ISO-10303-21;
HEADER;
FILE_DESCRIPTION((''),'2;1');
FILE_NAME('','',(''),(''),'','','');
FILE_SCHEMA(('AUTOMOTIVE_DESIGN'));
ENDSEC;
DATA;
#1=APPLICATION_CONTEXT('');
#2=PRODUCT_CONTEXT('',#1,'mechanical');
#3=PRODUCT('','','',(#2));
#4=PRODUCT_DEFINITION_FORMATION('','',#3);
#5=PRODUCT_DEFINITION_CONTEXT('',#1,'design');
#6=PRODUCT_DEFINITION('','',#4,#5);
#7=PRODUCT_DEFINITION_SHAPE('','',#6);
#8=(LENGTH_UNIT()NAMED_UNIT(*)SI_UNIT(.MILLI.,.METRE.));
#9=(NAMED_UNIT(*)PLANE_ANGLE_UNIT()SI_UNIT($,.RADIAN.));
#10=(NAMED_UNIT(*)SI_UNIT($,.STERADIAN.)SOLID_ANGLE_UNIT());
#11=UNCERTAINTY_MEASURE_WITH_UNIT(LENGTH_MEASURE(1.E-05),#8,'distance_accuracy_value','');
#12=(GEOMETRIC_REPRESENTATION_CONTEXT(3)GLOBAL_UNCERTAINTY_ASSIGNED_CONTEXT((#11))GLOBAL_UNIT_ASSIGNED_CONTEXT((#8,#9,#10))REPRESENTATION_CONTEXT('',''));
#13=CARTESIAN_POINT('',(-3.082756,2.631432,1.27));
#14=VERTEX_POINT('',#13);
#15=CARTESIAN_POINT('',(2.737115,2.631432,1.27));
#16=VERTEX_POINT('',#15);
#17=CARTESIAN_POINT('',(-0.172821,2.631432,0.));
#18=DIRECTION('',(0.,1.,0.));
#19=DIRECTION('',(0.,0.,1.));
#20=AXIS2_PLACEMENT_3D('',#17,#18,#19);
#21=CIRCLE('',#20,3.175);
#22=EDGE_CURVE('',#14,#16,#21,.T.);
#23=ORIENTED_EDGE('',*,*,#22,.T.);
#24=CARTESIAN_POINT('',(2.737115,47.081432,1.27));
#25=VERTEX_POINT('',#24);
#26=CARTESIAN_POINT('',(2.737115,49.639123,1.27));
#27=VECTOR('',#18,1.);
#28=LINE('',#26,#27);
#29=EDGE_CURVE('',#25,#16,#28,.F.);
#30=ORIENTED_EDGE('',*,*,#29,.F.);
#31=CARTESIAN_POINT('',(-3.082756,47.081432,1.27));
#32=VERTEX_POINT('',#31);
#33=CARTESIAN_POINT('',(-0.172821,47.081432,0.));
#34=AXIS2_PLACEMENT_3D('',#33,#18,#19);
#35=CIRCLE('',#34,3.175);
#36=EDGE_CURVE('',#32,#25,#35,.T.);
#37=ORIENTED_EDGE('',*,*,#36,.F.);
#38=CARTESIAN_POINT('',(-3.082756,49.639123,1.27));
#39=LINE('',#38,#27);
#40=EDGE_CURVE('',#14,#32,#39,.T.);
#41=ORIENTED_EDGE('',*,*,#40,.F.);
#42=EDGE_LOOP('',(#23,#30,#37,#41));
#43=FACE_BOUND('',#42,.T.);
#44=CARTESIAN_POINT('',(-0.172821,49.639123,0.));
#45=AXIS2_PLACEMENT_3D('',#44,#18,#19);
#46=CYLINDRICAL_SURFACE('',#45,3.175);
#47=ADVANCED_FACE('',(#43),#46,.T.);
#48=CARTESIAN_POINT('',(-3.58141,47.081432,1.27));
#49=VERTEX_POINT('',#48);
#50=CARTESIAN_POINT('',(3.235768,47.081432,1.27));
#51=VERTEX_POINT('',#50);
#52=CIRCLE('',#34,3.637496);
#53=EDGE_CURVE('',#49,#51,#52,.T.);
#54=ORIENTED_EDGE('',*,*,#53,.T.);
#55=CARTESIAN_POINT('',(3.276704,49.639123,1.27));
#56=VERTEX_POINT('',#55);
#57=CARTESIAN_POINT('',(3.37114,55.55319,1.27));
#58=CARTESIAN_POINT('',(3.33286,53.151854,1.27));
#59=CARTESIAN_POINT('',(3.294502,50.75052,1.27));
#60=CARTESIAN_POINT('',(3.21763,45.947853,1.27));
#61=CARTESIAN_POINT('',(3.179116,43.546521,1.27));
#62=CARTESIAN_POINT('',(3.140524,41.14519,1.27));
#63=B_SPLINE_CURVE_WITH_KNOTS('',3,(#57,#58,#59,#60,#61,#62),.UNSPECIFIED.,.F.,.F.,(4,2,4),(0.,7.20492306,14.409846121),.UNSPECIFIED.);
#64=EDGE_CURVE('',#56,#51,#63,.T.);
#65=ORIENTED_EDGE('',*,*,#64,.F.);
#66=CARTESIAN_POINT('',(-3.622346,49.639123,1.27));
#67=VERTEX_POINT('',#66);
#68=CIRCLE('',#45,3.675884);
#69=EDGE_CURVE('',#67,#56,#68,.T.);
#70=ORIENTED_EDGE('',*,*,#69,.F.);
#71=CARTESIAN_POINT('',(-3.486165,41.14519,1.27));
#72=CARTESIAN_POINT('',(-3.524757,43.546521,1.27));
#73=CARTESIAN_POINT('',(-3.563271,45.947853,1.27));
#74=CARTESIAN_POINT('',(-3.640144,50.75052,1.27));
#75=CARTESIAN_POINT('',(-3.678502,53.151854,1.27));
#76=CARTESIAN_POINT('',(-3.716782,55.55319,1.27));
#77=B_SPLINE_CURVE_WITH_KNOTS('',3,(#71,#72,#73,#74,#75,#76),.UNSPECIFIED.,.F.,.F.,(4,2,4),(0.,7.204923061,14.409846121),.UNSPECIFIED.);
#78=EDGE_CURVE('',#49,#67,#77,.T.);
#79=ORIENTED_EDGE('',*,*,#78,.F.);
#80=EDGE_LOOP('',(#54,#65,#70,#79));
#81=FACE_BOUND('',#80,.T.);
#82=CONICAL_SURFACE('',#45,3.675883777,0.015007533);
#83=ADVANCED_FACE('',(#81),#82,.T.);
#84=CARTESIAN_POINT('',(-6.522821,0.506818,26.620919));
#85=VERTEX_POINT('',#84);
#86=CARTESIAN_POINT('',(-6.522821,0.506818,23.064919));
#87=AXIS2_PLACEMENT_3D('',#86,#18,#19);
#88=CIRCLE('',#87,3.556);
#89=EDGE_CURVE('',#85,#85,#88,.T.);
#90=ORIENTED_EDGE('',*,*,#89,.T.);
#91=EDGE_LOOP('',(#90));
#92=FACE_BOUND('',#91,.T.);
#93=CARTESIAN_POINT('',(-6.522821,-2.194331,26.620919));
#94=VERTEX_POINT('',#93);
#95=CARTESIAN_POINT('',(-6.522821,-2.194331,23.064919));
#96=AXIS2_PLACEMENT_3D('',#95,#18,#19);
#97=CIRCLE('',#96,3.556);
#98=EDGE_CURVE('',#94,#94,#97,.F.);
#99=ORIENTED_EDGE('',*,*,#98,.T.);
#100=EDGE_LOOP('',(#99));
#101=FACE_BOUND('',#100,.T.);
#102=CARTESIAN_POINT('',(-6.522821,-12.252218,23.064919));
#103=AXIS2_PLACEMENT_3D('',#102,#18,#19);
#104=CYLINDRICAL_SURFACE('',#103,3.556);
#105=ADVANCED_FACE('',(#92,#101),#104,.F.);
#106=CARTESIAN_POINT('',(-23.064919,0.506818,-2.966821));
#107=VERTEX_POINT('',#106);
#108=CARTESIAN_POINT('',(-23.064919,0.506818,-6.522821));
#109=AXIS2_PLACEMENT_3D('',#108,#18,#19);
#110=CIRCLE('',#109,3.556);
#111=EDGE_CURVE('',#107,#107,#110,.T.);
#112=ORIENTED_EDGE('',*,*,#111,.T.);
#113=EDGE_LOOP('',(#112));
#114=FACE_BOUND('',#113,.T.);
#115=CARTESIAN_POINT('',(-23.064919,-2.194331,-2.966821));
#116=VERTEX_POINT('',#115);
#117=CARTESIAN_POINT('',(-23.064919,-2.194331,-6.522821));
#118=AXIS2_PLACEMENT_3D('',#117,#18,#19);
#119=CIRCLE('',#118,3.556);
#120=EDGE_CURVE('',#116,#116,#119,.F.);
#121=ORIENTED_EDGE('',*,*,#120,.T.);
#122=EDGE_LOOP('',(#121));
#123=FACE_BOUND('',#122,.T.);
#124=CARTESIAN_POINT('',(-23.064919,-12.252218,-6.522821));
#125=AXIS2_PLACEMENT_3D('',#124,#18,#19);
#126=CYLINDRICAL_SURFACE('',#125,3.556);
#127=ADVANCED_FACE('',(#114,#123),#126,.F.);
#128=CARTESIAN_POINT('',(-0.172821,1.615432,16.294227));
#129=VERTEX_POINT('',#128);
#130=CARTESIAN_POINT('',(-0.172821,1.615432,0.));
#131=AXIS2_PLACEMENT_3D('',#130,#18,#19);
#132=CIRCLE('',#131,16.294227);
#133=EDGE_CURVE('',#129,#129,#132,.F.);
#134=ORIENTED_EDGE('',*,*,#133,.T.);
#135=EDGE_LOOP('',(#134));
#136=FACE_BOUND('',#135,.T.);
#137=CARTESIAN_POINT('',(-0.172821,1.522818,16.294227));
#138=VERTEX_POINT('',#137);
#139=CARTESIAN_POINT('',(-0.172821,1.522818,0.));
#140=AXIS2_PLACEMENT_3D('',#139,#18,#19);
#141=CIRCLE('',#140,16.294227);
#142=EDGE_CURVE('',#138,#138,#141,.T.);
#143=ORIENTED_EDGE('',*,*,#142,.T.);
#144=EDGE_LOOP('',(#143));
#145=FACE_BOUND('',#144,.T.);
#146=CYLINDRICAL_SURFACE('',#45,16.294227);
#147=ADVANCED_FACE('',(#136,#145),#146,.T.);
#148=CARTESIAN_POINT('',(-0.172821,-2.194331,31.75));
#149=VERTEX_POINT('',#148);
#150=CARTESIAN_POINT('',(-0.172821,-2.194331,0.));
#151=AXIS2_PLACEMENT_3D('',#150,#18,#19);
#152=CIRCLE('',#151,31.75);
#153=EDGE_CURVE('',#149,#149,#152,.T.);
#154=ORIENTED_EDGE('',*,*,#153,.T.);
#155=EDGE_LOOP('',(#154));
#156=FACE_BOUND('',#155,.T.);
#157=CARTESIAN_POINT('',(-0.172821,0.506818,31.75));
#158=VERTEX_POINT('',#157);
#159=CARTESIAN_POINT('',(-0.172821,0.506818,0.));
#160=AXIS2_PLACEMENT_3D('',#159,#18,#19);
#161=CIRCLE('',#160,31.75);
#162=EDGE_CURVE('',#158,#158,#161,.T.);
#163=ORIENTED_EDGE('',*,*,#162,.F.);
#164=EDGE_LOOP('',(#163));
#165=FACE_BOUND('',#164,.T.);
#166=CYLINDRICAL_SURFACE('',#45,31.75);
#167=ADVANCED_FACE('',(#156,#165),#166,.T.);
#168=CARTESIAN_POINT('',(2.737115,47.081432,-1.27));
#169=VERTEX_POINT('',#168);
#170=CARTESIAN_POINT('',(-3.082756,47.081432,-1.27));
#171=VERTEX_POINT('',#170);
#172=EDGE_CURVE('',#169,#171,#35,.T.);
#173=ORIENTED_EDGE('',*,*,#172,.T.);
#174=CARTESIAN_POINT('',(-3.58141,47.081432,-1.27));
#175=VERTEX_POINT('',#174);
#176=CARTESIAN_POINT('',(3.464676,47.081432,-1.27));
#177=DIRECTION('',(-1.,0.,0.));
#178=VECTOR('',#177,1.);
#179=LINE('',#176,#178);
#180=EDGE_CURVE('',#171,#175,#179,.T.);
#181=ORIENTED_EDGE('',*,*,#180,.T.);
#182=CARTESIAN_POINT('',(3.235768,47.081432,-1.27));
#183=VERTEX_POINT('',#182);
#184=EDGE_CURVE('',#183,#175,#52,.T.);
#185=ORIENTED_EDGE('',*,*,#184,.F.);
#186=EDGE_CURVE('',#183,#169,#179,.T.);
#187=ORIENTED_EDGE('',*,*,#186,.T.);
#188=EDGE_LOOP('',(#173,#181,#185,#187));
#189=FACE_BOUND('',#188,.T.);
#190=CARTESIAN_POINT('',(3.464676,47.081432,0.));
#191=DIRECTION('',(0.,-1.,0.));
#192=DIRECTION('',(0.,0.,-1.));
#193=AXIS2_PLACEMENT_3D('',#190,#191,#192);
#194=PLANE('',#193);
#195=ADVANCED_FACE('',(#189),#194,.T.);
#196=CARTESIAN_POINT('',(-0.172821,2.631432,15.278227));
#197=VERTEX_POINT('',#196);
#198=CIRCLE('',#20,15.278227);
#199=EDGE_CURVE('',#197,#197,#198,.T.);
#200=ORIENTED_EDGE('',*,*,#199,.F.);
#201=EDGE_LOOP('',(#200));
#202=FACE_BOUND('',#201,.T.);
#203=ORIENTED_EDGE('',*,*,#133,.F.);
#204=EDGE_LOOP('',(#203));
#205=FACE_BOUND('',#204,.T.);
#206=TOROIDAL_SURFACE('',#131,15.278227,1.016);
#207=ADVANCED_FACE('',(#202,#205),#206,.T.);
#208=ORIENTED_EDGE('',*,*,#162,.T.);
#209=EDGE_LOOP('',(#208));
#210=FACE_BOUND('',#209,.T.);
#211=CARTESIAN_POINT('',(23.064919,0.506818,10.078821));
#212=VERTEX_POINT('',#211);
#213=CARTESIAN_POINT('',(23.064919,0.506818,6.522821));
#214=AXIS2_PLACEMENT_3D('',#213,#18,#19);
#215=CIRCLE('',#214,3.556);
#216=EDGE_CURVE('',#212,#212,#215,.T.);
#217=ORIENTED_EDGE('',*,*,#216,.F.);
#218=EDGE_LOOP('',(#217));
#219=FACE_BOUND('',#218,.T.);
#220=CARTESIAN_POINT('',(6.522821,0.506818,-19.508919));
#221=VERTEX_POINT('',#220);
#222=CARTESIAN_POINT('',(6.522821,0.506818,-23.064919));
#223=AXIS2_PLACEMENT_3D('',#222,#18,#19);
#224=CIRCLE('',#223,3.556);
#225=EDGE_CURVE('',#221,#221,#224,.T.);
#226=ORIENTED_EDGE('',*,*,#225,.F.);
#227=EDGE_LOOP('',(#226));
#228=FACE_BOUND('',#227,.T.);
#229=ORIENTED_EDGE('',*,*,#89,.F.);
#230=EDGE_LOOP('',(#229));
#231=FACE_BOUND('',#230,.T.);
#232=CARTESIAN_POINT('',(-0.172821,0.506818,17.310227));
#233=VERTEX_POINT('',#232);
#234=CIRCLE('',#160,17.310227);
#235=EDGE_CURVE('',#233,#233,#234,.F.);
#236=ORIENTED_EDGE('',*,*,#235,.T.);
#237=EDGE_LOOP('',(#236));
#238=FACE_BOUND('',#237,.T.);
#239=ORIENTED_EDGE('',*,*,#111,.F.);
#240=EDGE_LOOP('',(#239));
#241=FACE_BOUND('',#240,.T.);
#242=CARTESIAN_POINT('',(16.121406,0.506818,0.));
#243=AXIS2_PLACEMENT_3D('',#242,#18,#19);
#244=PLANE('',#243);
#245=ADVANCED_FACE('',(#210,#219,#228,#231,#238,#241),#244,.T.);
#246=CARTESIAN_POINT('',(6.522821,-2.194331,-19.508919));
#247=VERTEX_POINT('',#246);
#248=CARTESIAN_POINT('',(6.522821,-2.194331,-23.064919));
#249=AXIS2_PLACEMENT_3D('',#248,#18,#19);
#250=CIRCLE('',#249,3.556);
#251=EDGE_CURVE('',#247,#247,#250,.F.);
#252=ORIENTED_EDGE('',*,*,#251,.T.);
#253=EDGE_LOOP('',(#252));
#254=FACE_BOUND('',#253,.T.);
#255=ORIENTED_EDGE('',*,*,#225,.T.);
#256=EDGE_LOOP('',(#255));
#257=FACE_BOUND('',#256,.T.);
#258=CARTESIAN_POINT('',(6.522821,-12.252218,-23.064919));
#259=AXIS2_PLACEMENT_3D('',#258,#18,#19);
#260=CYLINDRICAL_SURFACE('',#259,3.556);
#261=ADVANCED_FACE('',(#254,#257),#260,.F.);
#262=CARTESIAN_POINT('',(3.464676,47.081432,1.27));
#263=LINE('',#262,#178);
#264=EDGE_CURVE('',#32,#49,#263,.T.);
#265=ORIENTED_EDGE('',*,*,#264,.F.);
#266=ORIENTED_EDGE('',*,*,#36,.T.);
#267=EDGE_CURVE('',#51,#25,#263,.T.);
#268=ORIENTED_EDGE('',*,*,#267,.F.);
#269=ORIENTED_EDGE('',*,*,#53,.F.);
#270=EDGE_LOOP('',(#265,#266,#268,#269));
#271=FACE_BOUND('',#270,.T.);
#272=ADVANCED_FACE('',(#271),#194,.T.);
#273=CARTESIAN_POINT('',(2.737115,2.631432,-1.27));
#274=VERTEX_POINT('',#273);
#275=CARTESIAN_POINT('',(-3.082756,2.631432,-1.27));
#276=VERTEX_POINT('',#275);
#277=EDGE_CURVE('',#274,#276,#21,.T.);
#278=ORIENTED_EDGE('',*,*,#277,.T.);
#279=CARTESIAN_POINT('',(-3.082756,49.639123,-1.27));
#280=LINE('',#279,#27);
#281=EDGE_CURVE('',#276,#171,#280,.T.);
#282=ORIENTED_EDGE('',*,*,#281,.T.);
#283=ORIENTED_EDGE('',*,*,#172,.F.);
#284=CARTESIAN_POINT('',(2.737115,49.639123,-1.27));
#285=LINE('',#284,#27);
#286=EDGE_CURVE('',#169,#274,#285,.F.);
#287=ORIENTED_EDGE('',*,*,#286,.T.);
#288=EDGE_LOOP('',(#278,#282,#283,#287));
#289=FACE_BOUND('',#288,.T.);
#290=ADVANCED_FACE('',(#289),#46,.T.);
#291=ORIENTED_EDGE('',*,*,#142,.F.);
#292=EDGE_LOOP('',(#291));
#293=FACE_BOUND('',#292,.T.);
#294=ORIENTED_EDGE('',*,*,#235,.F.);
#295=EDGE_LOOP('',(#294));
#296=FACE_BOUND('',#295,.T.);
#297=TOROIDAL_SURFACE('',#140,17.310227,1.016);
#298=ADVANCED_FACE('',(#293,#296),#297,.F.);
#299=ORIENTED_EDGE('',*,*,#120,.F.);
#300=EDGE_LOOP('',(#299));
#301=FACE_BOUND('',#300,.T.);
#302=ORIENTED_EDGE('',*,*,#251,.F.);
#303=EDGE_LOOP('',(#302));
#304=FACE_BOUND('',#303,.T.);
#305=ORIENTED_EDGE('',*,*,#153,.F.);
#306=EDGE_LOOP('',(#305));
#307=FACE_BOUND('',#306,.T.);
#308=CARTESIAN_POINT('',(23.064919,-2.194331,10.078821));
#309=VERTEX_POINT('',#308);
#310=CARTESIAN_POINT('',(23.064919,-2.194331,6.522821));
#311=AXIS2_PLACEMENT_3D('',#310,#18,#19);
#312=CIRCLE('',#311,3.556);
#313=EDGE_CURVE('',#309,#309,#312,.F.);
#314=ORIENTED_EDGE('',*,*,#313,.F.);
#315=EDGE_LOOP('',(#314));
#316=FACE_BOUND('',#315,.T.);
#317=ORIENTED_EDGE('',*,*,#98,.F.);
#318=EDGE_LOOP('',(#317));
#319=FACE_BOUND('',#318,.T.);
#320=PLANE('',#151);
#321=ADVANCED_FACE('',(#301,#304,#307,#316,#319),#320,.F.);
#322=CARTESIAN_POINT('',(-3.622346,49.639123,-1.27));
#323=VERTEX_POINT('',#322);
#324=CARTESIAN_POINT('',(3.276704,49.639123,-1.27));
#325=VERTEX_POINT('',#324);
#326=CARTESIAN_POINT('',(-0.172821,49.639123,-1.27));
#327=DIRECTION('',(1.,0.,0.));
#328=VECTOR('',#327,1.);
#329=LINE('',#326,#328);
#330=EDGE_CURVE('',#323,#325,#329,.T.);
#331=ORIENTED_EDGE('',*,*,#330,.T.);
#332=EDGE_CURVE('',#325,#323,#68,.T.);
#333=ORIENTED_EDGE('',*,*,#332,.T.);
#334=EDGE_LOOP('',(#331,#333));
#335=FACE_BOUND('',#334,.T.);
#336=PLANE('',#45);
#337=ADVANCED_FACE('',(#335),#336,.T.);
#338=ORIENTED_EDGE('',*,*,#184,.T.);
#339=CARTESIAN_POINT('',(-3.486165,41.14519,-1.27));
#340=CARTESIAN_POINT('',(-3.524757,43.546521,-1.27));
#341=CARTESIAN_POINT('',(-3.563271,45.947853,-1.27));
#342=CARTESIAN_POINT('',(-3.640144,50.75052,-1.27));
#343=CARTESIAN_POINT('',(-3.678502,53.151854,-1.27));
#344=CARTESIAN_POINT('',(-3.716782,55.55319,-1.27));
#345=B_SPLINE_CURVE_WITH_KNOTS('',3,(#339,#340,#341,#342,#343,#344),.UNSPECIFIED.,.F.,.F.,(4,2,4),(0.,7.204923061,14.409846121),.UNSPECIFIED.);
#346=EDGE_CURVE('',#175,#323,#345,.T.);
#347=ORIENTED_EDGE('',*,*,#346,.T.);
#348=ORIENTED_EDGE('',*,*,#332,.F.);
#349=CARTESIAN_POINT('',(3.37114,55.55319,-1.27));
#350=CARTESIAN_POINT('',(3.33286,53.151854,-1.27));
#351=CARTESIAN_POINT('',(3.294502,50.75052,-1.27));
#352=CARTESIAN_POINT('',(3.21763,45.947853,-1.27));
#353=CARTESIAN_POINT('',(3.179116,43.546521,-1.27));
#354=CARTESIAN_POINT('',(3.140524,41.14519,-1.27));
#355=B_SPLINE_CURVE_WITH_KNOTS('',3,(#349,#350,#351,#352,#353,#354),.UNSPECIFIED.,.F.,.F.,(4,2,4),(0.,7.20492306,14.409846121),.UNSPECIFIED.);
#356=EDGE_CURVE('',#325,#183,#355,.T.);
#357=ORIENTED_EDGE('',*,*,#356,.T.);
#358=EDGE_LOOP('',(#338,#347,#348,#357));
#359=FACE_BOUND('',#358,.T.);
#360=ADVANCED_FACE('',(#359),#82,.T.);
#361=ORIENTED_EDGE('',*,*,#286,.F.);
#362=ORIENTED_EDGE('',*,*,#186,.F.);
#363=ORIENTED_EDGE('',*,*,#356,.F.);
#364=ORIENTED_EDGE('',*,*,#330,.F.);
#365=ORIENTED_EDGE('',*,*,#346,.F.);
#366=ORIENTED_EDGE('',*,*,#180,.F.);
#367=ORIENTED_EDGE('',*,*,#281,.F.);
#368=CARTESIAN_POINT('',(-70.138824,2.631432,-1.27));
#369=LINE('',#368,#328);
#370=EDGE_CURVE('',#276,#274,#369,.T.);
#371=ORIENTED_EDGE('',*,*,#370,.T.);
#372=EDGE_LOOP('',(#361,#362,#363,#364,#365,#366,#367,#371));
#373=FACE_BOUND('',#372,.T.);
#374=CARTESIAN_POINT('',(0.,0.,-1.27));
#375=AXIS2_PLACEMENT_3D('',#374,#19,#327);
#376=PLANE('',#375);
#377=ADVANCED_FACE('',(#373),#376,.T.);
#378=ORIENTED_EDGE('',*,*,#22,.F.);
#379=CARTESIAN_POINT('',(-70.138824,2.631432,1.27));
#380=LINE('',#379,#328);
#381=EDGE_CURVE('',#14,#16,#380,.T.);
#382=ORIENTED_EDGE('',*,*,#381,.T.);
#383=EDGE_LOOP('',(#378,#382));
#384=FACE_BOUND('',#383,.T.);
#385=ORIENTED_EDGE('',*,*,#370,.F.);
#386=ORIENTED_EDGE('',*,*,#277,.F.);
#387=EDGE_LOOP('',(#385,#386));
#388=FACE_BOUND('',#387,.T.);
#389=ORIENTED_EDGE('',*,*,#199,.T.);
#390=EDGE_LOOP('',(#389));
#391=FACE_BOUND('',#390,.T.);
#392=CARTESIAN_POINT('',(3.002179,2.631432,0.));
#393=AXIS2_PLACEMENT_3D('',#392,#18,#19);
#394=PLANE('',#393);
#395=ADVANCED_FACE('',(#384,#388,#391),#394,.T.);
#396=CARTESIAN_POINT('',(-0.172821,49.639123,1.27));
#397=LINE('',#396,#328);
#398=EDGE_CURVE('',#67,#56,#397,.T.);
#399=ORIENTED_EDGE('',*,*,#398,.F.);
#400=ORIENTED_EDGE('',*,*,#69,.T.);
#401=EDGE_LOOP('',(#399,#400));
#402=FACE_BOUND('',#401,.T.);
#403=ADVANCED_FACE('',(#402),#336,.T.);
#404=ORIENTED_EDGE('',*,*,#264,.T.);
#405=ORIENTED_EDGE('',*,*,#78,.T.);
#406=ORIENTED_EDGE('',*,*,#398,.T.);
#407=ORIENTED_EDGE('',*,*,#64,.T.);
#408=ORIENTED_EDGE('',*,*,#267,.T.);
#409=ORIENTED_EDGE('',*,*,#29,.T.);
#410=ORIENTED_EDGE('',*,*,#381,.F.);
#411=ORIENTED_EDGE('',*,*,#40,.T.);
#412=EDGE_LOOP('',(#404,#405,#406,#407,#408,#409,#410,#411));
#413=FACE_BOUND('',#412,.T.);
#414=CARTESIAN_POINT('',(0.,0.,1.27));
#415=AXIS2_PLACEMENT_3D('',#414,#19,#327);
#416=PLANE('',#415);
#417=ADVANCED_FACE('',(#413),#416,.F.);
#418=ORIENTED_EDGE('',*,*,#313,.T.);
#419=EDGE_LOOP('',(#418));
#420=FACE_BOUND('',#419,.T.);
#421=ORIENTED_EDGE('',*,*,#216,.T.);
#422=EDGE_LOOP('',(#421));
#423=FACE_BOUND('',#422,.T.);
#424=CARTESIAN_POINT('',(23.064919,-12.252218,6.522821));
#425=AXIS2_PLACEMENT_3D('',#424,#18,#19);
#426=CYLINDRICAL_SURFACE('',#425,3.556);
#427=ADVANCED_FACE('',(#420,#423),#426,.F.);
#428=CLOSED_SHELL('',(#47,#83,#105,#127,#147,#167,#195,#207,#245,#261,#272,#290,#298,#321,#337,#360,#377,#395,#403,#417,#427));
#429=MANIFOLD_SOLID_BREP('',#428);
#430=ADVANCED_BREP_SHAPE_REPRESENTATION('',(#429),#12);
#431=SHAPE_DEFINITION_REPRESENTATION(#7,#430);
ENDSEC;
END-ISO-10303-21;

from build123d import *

# Parameters (mm, degrees)
FILLET1_R          = 1.016
SKETCH5_R          = 3.556
CUT_EXTRUDE4_DEPTH = 2.701148395
SKETCH9_W          = 105.570120157
SKETCH9_H          = 128.790829306
CUT_EXTRUDE5_DEPTH = 1.27


with BuildPart() as part:
    # Sketch1 → Revolve1 (revolve)
    with BuildSketch(Plane.XY, mode=Mode.PRIVATE) as revolve1_sk:
        Polygon((-0.172820682, 49.639122622), (-0.172820682, 0.012009488), (-0.172820682, -2.194330865), (31.577179318, -2.194330865), (31.577179318, 0.506817529), (16.121405897, 0.506817529), (16.121405897, 2.63143161), (3.002179318, 2.63143161), (3.002179318, 47.08143161), (3.46467558, 47.08143161), (3.503063095, 49.639122622), align=None)
    revolve(revolve1_sk.sketch.rotate(Axis((-0.172820682, 49.639122622, 0), (0, -1, 0)), 90), axis=Axis((-0.172820682, 49.639122622, 0), (0, -1, 0)))

    # Fillet1
    fillet1_edges = [part.edges().sort_by_distance(p)[0] for p in [
        (-0.172820682, 0.506817529, -16.294226579),
        (-0.172820682, 2.63143161, -16.294226579),
    ]]
    fillet(fillet1_edges, radius=FILLET1_R)

    # Sketch5 → Cut-Extrude4 (cut)
    with BuildSketch(Plane(origin=(0, 0.506817529, 0), x_dir=(1, 0, 0), z_dir=(0, 1, 0))):
        with Locations(Location((-23.064919044, 6.522820682, 0), (0, 0, 270))):
            Circle(SKETCH5_R)
        with Locations(Location((6.522820682, 23.064919044, 0), (0, 0, 270))):
            Circle(SKETCH5_R)
        with Locations(Location((23.064919044, -6.522820682, 0), (0, 0, 270))):
            Circle(SKETCH5_R)
        with Locations(Location((-6.522820682, -23.064919044, 0), (0, 0, 270))):
            Circle(SKETCH5_R)
    extrude(amount=-CUT_EXTRUDE4_DEPTH, mode=Mode.SUBTRACT)

    # Sketch9 → Cut-Extrude5 (cut, symmetric)
    with BuildSketch(Plane.XY):
        with Locations((-17.353763652, 67.026846263)):
            Rectangle(SKETCH9_W, SKETCH9_H)
    extrude(amount=CUT_EXTRUDE5_DEPTH, both=True, mode=Mode.SUBTRACT)


solid = part.part
